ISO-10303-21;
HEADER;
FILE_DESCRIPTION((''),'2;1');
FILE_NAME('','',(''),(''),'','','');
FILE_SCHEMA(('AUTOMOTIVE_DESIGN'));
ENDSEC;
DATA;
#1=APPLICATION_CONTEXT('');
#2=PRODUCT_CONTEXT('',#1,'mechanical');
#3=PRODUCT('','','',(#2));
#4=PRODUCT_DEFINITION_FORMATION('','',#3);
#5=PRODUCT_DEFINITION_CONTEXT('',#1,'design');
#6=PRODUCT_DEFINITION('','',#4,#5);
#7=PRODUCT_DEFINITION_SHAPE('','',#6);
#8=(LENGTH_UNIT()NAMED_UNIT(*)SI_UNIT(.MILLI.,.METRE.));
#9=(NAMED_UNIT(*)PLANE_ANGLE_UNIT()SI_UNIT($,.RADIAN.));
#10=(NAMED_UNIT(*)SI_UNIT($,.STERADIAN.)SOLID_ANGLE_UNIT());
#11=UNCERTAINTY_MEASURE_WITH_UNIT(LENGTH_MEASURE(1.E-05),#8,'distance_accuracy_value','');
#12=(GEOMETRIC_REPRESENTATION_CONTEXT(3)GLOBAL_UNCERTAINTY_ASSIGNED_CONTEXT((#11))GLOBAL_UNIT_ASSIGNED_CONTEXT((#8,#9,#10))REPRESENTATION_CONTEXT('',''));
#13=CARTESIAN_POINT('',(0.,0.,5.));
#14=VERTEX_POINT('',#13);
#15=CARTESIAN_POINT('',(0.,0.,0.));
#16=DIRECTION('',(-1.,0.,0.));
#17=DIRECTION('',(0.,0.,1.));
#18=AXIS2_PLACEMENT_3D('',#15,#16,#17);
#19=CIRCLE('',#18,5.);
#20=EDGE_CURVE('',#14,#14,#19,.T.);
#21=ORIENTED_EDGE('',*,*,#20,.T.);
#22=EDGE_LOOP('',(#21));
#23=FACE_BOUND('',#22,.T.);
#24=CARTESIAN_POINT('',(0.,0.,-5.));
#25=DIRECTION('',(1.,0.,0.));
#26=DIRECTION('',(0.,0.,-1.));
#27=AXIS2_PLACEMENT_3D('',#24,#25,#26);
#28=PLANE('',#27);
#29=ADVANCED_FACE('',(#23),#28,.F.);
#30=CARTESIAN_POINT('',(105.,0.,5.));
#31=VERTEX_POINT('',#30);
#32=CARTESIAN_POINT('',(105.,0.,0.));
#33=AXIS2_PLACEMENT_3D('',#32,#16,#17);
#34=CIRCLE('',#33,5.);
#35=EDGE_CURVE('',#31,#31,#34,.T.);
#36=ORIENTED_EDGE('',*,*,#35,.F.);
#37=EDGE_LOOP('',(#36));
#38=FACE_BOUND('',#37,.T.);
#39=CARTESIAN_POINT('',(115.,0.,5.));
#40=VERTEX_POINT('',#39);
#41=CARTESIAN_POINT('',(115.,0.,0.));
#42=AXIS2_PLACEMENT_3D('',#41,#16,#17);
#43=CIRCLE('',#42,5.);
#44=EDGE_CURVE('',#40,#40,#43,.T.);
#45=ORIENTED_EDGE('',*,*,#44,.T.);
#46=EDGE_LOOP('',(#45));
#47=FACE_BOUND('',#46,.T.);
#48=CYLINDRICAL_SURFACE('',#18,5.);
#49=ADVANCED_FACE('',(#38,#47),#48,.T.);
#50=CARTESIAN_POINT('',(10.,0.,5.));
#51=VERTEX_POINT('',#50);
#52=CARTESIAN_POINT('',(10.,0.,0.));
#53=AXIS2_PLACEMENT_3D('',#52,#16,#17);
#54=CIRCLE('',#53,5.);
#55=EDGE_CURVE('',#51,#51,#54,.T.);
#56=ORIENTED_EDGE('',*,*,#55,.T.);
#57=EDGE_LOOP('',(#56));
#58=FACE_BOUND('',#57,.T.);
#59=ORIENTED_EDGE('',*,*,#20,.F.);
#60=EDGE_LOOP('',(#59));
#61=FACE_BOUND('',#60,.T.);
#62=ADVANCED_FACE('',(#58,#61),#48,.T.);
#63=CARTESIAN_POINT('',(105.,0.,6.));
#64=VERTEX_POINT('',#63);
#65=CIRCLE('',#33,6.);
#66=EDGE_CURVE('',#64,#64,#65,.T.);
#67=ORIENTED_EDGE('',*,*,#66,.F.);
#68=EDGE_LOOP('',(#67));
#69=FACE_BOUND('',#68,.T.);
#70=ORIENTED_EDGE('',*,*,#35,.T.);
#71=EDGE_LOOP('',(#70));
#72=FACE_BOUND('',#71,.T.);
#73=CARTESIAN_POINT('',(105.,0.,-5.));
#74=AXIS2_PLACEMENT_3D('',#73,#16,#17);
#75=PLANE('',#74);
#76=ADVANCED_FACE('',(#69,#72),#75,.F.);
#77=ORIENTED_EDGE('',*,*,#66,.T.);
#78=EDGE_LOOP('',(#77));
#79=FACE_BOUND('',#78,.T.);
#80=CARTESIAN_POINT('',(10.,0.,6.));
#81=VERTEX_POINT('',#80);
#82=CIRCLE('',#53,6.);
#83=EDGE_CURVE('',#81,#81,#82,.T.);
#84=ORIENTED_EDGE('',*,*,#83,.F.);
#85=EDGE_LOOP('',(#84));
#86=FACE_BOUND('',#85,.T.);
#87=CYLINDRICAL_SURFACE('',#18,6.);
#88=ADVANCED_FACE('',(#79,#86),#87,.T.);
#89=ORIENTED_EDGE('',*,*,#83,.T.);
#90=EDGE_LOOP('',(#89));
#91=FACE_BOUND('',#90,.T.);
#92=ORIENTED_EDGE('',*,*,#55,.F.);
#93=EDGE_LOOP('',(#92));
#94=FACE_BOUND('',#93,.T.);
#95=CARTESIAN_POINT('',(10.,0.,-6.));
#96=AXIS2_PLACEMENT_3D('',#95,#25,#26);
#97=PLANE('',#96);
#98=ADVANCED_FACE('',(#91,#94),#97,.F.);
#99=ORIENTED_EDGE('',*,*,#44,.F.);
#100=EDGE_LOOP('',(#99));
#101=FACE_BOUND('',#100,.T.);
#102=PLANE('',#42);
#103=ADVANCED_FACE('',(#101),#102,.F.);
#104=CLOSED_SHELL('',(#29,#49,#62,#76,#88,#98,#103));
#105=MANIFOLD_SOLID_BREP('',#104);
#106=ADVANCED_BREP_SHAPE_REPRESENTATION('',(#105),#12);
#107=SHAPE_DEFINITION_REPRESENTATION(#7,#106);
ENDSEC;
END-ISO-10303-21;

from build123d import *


with BuildPart() as part:
    # Sketch1 → Revolve1 (revolve)
    with BuildSketch(Plane(origin=(0, 0, 0), x_dir=(1, 0, 0), z_dir=(0, 1, 0)), mode=Mode.PRIVATE) as revolve1_sk:
        Polygon((115, 0), (115, 5), (105, 5), (105, 6), (10, 6), (10, 5), (0, 5), (0, 0), align=None)
    revolve(revolve1_sk.sketch.rotate(Axis((0, 0, 0), (1, 0, 0)), 180), axis=Axis((0, 0, 0), (1, 0, 0)))


solid = part.part
